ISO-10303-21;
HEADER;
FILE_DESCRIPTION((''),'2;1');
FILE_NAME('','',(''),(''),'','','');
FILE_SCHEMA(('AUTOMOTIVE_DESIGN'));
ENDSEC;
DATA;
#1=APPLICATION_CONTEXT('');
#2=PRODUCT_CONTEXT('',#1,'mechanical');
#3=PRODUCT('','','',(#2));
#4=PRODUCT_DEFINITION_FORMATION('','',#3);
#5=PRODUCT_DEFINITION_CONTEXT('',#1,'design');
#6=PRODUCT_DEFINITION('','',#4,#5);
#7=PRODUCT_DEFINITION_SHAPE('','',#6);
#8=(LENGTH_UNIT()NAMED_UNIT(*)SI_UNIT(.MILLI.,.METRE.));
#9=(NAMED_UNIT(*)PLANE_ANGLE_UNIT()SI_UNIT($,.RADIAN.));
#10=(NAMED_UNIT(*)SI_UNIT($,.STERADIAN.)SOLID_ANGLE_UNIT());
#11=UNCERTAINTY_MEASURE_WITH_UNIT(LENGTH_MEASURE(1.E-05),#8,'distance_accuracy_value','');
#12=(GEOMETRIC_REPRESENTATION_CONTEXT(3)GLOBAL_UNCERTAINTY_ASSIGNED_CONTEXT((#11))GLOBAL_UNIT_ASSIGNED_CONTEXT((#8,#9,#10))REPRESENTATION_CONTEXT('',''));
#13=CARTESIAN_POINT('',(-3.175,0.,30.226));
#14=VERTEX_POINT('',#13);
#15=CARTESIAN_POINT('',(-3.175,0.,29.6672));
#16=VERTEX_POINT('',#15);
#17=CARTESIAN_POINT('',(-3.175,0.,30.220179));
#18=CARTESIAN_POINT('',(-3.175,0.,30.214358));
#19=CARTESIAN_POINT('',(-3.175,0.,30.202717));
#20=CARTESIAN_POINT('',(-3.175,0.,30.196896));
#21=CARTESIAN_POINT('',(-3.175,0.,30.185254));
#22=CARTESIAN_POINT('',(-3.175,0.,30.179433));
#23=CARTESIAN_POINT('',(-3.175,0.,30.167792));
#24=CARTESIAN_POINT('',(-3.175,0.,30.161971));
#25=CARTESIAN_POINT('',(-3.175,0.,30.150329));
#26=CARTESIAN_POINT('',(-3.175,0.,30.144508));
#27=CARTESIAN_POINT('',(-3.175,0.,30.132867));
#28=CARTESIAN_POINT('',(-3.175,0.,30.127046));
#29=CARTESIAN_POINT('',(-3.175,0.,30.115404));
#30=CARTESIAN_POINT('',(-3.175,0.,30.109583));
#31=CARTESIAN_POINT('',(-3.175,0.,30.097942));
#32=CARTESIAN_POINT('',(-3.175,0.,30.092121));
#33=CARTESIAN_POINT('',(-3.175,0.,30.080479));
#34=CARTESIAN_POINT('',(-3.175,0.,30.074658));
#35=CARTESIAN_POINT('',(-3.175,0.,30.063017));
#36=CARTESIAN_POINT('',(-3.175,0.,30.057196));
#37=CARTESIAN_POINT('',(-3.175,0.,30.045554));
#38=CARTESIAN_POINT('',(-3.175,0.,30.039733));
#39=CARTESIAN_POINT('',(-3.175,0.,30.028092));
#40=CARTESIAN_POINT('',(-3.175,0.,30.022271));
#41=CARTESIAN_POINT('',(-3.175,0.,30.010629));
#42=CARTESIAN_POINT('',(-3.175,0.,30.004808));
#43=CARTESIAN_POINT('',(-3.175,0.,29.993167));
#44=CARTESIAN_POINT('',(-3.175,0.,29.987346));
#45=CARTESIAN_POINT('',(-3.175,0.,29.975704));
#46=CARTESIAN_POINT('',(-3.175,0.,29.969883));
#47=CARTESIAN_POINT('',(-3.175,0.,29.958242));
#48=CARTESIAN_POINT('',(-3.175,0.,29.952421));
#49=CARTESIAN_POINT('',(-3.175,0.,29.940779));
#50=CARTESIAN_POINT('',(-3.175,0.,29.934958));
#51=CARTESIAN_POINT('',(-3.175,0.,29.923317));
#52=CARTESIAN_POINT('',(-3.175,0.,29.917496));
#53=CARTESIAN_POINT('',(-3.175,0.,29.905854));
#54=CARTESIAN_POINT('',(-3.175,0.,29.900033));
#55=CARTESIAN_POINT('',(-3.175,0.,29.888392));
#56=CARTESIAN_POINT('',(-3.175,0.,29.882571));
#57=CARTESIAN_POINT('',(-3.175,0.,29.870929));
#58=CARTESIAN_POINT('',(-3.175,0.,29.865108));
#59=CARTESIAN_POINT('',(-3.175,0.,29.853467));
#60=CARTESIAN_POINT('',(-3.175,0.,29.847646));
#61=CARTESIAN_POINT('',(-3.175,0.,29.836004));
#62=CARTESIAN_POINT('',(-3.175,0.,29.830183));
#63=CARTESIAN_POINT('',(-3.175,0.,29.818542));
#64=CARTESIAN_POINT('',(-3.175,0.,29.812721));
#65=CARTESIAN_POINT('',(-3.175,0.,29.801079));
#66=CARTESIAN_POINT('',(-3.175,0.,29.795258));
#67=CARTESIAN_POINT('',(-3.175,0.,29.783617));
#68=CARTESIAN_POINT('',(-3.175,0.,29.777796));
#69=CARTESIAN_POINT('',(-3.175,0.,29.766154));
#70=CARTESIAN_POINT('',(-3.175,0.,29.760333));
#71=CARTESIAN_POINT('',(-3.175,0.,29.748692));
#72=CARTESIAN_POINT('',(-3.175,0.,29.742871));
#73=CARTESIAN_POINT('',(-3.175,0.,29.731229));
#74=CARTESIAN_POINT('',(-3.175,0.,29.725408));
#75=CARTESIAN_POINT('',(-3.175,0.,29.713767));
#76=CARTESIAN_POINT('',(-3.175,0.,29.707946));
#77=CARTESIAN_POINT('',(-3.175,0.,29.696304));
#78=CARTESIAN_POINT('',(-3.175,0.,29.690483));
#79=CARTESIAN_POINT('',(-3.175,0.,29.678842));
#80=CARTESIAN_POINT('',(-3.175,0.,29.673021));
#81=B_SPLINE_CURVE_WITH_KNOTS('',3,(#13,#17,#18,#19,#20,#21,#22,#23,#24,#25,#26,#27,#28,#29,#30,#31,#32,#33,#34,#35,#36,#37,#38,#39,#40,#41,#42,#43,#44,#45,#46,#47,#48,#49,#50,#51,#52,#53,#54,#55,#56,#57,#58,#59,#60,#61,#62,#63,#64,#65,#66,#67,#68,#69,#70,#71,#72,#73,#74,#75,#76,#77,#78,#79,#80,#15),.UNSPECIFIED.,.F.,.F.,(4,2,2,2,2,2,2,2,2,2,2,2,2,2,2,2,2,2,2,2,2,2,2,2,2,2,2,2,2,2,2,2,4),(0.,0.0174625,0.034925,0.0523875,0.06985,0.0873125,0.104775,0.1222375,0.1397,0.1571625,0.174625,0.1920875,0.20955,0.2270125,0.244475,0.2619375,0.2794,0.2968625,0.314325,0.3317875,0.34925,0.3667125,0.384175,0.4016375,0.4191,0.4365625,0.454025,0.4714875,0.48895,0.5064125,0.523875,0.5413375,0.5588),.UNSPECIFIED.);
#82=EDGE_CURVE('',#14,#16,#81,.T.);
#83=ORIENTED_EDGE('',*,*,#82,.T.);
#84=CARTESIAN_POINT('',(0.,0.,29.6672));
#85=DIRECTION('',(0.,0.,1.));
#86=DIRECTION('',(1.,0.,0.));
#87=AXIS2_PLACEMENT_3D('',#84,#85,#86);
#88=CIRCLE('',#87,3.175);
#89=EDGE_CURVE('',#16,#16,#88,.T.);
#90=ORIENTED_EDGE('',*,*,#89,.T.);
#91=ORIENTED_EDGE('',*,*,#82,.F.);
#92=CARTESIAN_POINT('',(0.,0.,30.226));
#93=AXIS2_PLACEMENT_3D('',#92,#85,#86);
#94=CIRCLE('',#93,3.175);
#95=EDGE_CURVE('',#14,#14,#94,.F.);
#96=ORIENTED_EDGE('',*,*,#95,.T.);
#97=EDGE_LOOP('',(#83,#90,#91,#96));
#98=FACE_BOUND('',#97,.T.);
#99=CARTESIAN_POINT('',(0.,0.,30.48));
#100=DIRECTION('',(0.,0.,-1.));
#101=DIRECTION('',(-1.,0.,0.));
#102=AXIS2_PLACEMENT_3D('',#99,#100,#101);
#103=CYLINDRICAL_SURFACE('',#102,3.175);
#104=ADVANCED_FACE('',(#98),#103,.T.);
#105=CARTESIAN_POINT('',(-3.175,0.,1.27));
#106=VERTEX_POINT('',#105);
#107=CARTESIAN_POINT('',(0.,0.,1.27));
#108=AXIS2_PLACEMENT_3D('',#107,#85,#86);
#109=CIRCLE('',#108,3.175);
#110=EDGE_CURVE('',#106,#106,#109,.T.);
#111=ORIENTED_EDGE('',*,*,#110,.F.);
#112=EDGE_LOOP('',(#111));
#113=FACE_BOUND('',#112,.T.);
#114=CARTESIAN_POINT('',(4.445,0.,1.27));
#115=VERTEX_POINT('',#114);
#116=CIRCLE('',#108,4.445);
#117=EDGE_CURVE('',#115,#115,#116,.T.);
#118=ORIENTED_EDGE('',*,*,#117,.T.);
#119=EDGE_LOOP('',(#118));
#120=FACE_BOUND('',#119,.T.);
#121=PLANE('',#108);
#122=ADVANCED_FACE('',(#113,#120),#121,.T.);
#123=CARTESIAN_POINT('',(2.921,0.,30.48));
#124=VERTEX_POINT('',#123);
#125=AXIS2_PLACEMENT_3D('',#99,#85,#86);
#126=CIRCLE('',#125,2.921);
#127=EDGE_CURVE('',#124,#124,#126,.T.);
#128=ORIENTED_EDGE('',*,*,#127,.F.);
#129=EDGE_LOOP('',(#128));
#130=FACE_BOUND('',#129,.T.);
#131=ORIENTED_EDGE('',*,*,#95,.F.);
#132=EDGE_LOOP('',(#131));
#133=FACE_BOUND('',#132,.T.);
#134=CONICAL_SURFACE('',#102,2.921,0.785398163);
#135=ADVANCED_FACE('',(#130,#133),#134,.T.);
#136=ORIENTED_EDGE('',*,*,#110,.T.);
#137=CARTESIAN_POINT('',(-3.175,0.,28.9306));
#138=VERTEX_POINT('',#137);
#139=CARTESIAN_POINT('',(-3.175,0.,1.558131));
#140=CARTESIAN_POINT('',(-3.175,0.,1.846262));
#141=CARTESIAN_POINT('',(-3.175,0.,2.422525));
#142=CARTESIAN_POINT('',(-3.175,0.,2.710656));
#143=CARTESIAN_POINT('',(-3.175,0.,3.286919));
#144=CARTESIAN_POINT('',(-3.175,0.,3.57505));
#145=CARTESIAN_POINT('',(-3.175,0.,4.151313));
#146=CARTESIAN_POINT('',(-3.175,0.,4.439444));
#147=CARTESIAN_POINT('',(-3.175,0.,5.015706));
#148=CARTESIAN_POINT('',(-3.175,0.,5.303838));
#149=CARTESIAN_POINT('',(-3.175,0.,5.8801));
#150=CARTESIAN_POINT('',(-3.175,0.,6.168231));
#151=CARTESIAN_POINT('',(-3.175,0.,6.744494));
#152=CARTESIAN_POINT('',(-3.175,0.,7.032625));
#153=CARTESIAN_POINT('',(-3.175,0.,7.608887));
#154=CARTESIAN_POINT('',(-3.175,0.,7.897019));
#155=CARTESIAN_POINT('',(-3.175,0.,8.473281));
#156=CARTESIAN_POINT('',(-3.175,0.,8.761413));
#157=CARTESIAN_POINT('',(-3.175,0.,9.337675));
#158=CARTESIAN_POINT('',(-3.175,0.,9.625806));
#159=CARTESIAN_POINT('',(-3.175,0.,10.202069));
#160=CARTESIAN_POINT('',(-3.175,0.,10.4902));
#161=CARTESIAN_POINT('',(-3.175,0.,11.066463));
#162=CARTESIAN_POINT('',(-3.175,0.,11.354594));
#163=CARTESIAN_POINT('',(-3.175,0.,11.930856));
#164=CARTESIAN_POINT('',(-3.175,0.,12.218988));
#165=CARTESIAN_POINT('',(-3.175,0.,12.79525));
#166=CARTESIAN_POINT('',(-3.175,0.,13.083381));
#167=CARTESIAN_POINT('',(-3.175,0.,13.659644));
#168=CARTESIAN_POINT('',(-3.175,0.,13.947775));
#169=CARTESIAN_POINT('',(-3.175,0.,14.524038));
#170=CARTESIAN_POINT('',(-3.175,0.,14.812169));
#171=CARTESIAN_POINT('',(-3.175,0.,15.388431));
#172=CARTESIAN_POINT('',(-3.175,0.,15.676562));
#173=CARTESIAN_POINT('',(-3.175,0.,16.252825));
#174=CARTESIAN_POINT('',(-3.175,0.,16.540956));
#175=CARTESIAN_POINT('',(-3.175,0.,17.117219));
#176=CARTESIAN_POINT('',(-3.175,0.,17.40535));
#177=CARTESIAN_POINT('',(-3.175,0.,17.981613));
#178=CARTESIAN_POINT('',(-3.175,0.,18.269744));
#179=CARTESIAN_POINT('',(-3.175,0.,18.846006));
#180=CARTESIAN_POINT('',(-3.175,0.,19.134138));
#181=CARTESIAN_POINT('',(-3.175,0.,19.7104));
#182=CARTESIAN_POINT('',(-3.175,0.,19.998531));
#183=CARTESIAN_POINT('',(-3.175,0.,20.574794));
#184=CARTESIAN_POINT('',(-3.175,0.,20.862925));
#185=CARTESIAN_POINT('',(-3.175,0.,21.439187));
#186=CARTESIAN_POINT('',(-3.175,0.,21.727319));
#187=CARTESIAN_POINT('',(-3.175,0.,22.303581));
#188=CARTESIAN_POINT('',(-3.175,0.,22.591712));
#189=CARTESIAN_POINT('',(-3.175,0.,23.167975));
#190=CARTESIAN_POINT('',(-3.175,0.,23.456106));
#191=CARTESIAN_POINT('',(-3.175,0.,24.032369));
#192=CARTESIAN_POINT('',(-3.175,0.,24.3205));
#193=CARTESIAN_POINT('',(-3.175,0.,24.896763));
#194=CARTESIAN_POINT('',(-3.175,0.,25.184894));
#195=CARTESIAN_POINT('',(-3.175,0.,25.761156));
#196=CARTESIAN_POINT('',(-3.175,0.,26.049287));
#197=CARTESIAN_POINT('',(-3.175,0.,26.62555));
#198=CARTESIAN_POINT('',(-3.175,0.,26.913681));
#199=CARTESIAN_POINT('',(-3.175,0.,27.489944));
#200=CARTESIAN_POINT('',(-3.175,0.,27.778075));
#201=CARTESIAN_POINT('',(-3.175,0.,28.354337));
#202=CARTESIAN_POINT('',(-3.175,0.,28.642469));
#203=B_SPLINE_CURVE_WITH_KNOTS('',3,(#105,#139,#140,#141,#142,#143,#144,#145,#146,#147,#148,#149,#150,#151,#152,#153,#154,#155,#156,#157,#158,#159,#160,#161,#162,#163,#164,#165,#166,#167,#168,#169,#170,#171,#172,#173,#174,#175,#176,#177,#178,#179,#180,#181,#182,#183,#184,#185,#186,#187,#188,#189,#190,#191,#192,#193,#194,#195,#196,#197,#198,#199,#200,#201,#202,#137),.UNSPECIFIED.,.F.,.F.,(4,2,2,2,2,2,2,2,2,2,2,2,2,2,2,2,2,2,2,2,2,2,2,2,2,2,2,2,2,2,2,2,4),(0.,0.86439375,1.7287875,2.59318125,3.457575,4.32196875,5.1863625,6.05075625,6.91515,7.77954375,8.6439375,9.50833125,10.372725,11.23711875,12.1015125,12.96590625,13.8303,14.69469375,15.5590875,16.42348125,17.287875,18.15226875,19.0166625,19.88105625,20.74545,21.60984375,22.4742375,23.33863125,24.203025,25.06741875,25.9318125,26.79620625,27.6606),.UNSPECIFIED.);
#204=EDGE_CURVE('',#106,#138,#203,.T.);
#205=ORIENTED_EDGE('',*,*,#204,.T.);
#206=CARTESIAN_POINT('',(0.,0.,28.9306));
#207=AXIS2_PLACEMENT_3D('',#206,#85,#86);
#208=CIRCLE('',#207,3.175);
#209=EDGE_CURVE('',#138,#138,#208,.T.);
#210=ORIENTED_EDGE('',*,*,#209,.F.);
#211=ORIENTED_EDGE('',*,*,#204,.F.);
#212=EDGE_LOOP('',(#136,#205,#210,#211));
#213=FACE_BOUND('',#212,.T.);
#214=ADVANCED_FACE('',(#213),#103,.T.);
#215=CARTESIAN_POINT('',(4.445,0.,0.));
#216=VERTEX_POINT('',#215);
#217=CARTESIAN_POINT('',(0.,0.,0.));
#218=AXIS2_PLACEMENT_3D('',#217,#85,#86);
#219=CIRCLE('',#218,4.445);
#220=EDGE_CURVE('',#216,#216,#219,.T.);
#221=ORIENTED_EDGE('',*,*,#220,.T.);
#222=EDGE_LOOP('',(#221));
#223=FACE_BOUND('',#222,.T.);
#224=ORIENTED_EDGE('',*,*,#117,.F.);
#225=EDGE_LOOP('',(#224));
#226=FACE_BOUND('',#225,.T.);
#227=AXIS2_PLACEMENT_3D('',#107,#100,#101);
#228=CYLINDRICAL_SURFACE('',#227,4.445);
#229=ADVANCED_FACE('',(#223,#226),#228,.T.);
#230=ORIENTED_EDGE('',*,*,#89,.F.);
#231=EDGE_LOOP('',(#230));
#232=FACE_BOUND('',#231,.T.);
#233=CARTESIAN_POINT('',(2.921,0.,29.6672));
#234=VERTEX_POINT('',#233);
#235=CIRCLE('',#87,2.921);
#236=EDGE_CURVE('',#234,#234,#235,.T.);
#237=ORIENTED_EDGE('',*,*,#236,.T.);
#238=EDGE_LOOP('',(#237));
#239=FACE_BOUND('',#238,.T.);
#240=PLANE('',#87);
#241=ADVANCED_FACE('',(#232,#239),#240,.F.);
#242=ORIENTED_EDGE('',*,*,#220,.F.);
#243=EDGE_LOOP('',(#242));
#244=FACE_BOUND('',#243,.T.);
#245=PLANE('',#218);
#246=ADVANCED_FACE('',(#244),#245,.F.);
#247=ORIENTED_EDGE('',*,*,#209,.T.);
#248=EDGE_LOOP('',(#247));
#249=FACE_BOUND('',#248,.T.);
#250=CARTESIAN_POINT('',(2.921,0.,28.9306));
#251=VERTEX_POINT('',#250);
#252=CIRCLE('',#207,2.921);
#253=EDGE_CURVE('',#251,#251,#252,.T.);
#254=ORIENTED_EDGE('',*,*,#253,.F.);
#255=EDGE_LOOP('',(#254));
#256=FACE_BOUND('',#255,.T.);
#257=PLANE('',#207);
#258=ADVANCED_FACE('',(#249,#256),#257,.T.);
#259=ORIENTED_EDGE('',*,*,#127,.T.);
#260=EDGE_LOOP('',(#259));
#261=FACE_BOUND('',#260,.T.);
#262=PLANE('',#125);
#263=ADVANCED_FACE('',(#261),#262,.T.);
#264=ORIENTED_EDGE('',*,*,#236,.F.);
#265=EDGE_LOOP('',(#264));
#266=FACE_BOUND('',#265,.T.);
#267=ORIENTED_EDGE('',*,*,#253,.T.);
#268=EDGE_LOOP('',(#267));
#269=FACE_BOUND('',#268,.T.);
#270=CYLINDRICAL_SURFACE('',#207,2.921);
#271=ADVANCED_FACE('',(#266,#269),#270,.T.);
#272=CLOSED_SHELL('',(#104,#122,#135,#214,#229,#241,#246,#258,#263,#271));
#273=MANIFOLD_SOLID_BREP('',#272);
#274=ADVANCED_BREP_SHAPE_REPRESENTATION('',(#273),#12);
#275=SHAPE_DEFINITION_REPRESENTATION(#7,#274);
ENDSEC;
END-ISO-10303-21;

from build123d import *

# Parameters (mm, degrees)
SKETCH1_R           = 4.445
BOSS_EXTRUDE1_DEPTH = 1.27
SKETCH2_R           = 3.175
BOSS_EXTRUDE2_DEPTH = 29.21
CUT_EXTRUDE1_START  = -1.5494
SKETCH4_R           = 3.175
SKETCH4_R_2         = 2.921
CUT_EXTRUDE1_DEPTH  = 0.7366
CHAMFER1_SIZE       = 0.254


with BuildPart() as part:
    # Sketch1 → Boss-Extrude1 (new body)
    with BuildSketch(Plane.XY):
        Circle(SKETCH1_R)
    extrude(amount=BOSS_EXTRUDE1_DEPTH)

    # Sketch2 → Boss-Extrude2 (add)
    with BuildSketch(Plane.XY.offset(1.27)):
        with Locations(Location((0, 0, 0), (0, 0, 180))):
            Circle(SKETCH2_R)
    extrude(amount=BOSS_EXTRUDE2_DEPTH)

    # Sketch4 → Cut-Extrude1 (cut)
    with BuildSketch(Plane.XY.offset(30.48).offset(CUT_EXTRUDE1_START)):
        with Locations(Location((0, 0, 0), (0, 0, 180))):
            Circle(SKETCH4_R)
        Circle(SKETCH4_R_2, mode=Mode.SUBTRACT)
    extrude(amount=CUT_EXTRUDE1_DEPTH, mode=Mode.SUBTRACT)

    # Chamfer1
    chamfer1_edges = [part.edges().sort_by_distance(p)[0] for p in [
        (3.175, 0, 30.48),
    ]]
    chamfer(chamfer1_edges, length=CHAMFER1_SIZE)


solid = part.part
